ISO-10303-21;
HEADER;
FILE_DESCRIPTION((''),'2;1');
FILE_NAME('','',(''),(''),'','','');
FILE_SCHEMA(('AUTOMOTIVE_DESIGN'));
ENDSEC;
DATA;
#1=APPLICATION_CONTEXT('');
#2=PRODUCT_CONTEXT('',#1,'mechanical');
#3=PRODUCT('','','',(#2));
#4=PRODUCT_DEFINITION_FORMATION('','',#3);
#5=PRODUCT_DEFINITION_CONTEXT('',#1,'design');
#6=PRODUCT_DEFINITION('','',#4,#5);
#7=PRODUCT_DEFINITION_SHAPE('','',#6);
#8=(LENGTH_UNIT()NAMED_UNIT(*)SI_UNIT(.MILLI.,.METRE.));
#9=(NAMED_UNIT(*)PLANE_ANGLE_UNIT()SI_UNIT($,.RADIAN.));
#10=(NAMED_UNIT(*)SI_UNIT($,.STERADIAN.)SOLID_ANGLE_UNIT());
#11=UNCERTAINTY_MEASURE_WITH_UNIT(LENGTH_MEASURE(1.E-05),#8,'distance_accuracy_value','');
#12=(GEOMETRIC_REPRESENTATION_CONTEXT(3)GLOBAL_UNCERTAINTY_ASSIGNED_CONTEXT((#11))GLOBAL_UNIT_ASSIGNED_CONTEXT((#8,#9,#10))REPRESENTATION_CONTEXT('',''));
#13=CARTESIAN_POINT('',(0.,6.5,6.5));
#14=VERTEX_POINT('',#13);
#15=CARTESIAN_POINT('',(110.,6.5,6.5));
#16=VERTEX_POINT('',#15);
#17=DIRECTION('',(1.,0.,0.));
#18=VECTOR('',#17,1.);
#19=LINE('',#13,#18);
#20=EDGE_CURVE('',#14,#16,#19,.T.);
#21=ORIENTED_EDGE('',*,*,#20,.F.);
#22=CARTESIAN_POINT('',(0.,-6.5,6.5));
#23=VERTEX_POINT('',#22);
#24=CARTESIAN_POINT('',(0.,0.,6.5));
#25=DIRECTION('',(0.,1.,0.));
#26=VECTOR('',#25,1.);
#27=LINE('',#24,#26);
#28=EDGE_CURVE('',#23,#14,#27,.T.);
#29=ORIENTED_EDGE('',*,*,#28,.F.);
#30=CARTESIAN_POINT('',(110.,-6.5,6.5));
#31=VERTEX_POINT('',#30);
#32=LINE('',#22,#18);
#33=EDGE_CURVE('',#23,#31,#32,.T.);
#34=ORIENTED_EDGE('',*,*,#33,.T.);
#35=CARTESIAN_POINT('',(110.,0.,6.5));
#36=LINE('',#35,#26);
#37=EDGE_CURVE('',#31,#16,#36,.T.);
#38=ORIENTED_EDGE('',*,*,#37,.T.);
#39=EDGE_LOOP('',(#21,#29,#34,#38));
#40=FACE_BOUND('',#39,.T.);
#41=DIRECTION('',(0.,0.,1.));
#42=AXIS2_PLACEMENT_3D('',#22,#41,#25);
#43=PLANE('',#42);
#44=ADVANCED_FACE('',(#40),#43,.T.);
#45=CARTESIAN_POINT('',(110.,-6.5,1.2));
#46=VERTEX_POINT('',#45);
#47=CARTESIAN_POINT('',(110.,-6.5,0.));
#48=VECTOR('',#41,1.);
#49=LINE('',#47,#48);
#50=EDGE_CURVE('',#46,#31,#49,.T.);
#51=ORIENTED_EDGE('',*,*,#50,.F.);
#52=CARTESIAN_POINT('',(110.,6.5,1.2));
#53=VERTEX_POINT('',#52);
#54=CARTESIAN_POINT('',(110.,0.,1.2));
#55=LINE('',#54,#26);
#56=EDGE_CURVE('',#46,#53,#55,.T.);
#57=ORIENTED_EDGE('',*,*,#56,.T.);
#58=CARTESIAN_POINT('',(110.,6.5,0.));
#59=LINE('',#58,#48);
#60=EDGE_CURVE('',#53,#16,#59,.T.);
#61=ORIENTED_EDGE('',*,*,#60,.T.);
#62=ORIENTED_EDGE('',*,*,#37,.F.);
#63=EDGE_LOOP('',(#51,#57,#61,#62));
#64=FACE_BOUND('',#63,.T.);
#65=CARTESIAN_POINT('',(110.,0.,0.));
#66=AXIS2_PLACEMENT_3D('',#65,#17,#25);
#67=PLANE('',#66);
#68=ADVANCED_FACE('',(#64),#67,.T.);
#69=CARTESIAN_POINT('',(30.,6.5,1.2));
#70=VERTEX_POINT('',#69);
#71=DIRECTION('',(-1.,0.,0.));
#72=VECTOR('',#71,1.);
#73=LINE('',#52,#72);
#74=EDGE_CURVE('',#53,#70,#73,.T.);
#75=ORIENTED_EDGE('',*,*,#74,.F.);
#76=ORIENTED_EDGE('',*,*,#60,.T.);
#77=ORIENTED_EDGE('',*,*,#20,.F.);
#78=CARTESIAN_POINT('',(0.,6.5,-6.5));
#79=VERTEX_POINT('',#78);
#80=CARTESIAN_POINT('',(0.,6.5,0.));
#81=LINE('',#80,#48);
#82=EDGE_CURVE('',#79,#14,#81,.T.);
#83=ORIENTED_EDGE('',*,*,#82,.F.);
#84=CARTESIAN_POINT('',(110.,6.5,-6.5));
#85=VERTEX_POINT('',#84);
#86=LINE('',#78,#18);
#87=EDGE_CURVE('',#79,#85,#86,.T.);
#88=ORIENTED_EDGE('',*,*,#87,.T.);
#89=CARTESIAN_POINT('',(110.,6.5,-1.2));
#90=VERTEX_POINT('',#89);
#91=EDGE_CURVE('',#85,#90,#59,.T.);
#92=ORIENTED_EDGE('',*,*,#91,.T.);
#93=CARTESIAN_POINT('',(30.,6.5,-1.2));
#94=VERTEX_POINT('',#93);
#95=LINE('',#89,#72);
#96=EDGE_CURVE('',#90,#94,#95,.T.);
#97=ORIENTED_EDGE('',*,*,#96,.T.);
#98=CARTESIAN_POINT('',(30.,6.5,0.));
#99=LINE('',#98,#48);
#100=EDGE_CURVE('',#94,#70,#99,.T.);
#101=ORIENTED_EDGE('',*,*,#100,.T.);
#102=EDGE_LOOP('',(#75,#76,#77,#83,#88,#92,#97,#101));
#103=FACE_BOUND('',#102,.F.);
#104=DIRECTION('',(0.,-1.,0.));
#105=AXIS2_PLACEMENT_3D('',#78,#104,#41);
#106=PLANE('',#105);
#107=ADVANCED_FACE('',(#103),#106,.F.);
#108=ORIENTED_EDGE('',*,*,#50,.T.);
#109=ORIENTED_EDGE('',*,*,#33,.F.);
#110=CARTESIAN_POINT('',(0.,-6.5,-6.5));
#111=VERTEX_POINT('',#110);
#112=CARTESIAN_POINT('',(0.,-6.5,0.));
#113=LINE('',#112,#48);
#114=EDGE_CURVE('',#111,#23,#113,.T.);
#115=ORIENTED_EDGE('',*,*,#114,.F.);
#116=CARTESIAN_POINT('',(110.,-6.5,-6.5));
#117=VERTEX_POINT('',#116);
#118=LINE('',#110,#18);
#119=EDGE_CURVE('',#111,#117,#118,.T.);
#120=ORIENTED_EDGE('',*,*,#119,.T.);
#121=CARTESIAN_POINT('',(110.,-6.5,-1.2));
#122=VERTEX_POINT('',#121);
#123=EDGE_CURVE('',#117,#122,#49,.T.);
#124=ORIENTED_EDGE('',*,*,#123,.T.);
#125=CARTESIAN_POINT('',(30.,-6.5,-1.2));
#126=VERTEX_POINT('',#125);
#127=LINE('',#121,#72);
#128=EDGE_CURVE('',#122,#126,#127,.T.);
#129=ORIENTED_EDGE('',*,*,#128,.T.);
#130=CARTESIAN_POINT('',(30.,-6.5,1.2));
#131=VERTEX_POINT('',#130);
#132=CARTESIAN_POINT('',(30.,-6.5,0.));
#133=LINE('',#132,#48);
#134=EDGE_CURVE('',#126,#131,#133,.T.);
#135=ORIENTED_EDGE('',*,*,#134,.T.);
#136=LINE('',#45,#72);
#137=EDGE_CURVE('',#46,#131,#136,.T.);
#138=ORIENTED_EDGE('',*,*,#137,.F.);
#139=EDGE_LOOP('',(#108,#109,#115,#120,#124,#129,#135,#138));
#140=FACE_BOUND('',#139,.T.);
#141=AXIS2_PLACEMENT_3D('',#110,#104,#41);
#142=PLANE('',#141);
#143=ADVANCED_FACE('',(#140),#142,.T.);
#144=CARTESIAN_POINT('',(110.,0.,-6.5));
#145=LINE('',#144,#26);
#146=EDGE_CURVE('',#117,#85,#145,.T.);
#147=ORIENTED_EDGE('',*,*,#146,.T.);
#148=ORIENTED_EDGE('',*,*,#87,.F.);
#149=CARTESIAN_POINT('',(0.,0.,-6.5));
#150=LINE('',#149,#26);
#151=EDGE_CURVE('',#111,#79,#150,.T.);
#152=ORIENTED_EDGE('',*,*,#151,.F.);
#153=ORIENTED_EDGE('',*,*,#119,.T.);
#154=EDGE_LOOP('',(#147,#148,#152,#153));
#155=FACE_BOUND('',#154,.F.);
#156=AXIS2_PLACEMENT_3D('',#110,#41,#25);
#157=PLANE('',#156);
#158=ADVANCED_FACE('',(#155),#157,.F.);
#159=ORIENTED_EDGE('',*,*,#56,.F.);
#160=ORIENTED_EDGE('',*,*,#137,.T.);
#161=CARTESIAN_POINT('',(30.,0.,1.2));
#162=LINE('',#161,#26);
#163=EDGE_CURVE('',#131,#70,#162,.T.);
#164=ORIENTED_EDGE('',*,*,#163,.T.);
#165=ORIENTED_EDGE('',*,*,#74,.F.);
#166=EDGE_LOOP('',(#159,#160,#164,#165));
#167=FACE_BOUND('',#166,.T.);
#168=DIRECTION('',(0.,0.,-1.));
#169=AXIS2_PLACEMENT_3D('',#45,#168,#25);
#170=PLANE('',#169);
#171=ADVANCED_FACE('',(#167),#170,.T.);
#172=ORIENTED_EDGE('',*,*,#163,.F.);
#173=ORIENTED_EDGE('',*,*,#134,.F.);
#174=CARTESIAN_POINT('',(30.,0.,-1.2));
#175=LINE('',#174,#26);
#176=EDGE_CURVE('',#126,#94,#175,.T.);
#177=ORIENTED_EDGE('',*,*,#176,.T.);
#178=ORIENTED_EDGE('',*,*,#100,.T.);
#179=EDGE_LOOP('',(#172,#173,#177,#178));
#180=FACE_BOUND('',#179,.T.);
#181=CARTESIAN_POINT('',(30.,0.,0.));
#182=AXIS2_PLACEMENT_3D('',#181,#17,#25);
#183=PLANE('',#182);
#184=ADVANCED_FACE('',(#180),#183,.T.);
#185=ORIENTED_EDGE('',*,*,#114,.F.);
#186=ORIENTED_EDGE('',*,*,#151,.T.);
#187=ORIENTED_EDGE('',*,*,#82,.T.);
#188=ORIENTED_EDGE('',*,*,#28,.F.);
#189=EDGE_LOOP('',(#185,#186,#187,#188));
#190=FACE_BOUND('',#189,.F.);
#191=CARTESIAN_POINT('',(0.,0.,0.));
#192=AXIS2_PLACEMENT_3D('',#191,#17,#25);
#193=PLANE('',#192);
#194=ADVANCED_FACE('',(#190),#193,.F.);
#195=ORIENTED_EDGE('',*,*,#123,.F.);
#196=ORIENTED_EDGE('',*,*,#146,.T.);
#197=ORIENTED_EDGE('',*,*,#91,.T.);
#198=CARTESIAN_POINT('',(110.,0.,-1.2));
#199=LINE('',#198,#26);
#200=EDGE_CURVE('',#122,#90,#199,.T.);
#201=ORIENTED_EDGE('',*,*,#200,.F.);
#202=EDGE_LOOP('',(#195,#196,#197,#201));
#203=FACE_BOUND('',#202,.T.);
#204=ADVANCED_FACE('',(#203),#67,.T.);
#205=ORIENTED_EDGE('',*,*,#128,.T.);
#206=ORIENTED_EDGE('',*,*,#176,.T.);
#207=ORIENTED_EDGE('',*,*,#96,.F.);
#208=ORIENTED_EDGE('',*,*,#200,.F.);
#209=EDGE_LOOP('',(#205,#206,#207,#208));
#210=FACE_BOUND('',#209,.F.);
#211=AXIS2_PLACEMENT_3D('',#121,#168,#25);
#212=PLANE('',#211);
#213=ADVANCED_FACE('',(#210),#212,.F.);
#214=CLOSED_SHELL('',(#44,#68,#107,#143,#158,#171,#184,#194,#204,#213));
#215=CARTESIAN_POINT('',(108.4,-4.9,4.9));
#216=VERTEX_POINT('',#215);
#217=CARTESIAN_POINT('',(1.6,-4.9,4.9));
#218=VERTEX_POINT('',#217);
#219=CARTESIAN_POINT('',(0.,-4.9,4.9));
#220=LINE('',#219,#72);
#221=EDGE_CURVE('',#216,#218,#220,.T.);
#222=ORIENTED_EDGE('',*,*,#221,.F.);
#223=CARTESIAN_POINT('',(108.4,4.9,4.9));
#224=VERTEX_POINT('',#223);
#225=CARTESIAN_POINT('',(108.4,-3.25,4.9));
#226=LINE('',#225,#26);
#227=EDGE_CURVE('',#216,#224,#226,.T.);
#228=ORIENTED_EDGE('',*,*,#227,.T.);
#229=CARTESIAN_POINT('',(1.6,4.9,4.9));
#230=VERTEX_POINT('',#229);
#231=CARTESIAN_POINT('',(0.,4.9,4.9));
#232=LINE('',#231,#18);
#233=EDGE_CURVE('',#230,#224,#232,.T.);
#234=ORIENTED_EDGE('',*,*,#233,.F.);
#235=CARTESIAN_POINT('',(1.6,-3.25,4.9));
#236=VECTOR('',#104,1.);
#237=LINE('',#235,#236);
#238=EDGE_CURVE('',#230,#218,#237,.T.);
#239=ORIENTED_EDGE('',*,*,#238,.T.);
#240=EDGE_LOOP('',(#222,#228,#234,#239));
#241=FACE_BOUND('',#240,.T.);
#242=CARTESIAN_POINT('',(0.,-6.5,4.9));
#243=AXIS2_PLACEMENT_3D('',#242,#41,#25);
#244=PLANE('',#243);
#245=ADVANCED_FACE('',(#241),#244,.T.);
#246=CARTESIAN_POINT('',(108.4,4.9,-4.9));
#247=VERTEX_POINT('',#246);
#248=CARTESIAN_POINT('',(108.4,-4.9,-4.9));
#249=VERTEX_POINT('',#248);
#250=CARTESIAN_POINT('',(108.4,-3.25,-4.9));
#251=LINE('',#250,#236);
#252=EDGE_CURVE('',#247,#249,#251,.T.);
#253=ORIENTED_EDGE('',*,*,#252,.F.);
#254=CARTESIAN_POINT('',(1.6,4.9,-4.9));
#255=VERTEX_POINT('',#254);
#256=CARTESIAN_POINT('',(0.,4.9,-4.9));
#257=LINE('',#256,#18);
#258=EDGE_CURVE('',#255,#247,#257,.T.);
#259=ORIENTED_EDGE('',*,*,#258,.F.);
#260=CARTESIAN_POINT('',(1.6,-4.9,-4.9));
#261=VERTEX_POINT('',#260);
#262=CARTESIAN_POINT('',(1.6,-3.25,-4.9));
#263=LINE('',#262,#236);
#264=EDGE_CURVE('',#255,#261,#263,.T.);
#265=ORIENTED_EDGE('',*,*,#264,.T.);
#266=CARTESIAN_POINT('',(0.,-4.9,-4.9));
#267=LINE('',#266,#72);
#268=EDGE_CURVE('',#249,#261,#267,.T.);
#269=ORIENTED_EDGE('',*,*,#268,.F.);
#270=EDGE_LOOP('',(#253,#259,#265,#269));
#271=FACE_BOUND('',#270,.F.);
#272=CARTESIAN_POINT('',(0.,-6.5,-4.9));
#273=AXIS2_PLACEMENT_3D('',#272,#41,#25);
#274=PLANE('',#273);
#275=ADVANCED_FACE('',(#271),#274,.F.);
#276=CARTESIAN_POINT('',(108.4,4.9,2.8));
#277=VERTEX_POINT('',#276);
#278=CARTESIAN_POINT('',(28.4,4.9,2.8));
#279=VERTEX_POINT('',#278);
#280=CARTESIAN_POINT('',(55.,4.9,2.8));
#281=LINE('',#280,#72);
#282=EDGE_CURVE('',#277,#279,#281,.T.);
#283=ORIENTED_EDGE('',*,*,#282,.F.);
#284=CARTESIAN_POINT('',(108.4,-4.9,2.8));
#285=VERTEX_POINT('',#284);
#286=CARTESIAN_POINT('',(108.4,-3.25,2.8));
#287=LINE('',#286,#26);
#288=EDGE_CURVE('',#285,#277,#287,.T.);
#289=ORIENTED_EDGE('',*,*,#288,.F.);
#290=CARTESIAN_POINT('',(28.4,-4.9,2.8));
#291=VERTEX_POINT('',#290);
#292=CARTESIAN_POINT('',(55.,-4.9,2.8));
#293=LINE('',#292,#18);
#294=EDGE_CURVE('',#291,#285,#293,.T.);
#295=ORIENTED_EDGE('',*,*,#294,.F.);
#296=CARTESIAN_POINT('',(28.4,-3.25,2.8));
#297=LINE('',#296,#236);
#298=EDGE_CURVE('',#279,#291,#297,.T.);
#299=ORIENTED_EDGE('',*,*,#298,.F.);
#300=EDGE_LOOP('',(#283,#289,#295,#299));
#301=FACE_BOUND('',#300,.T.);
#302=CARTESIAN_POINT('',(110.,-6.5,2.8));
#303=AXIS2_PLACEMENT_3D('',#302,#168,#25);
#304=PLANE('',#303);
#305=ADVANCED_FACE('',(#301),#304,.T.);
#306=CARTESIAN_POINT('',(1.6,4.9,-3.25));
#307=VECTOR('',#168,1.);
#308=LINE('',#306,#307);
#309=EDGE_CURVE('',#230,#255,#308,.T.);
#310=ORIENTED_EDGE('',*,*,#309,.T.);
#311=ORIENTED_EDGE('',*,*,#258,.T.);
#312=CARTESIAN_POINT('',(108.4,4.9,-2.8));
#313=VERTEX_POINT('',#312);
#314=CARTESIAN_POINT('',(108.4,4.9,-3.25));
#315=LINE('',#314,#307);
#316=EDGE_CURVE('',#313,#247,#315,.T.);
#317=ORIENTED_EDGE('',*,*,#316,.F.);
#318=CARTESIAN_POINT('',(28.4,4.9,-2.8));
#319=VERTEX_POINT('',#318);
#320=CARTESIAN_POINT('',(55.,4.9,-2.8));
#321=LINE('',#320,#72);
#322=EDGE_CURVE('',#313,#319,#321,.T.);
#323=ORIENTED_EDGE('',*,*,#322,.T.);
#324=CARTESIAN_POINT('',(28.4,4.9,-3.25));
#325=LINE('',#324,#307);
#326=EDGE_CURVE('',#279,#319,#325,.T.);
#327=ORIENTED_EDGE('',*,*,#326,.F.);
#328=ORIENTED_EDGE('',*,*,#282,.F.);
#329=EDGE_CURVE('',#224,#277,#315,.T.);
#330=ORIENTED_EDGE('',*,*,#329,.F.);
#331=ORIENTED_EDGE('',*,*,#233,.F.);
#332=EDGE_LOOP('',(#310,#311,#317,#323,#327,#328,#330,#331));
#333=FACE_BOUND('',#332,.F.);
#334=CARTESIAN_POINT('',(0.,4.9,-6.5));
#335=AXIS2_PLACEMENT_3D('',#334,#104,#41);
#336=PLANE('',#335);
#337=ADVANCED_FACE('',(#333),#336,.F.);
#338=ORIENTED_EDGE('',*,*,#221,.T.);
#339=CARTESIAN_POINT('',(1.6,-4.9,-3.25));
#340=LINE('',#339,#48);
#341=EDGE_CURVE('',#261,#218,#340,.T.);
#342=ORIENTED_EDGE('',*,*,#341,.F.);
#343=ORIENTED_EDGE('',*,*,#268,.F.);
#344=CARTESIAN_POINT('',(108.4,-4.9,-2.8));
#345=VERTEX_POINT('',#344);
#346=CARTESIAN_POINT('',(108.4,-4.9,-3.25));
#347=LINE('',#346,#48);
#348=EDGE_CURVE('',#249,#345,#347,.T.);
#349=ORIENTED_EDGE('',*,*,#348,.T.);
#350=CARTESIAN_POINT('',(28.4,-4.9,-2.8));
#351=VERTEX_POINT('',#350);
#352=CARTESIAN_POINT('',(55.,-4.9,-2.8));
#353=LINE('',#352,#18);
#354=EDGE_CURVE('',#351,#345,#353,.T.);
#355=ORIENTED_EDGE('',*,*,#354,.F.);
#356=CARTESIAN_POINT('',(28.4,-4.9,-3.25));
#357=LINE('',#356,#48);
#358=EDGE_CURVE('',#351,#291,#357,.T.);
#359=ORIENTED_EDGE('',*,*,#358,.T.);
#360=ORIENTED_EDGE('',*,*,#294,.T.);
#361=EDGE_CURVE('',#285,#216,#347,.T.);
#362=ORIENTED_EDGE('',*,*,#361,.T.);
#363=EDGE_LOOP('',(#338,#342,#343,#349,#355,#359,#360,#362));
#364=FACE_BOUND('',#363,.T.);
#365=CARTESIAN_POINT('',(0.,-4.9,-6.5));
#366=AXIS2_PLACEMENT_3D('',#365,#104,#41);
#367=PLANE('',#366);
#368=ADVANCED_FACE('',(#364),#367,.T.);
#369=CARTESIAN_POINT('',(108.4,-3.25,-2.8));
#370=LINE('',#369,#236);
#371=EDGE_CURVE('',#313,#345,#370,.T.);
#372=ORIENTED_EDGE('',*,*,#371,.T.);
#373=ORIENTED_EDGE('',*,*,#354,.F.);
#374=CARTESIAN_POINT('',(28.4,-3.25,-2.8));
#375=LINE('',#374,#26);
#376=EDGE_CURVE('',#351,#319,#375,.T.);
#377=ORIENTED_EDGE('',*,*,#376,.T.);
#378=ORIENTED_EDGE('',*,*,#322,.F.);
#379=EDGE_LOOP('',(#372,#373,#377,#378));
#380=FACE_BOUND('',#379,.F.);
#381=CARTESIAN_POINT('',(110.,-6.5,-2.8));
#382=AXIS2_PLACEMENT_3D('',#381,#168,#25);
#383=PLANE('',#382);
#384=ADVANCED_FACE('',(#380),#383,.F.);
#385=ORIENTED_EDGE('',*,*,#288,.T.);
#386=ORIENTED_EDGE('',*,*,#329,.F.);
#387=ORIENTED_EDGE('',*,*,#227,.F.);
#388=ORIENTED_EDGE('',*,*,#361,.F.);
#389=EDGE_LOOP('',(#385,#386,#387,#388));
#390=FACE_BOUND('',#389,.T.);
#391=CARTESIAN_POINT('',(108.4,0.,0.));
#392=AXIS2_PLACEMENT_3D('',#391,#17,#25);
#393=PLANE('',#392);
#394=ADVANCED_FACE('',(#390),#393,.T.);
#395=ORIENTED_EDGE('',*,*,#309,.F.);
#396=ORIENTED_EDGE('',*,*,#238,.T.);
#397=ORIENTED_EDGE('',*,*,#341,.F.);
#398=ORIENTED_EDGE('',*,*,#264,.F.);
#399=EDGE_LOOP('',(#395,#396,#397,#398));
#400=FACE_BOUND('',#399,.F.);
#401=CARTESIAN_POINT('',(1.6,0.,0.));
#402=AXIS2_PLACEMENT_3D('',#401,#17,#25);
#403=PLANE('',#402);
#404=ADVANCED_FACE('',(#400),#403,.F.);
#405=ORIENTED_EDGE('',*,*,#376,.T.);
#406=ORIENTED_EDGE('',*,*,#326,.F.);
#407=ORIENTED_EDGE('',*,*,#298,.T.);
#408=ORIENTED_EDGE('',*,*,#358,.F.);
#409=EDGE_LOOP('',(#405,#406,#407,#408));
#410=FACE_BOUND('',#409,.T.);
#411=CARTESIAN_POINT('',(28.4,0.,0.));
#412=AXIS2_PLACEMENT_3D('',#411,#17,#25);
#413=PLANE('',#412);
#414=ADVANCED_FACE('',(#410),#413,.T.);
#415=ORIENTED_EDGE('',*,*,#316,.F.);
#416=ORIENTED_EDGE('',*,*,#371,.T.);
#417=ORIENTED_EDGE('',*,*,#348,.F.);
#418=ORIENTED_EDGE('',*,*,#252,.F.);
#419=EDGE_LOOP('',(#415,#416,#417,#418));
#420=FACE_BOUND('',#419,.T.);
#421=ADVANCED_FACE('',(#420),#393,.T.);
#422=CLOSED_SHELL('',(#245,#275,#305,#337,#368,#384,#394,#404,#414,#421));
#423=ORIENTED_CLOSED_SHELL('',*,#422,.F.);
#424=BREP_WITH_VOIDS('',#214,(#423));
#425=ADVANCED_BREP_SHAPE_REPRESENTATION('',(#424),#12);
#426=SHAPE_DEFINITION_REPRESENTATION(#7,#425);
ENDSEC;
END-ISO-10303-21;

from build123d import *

# Parameters (mm, degrees)
F0_W     = 13
F0_H     = 13
F1_DEPTH = 110
F3_W     = 13
F3_H     = 2.4
F4_DEPTH = 80
F5_T     = -1.6


with BuildPart() as f1:
    # F0 (on Right) → F1 (new body)
    with BuildSketch(Plane.YZ):
        Rectangle(F0_W, F0_H)
    extrude(amount=F1_DEPTH)

    # F3 (on offset) → F4 (cut)
    with BuildSketch(Plane.YZ.offset(110)):
        Rectangle(F3_W, F3_H)
    extrude(amount=-F4_DEPTH, mode=Mode.SUBTRACT)

    # F5 (hollow: no face is removed)
    offset(amount=F5_T, kind=Kind.INTERSECTION, mode=Mode.SUBTRACT)


solid = f1.part
